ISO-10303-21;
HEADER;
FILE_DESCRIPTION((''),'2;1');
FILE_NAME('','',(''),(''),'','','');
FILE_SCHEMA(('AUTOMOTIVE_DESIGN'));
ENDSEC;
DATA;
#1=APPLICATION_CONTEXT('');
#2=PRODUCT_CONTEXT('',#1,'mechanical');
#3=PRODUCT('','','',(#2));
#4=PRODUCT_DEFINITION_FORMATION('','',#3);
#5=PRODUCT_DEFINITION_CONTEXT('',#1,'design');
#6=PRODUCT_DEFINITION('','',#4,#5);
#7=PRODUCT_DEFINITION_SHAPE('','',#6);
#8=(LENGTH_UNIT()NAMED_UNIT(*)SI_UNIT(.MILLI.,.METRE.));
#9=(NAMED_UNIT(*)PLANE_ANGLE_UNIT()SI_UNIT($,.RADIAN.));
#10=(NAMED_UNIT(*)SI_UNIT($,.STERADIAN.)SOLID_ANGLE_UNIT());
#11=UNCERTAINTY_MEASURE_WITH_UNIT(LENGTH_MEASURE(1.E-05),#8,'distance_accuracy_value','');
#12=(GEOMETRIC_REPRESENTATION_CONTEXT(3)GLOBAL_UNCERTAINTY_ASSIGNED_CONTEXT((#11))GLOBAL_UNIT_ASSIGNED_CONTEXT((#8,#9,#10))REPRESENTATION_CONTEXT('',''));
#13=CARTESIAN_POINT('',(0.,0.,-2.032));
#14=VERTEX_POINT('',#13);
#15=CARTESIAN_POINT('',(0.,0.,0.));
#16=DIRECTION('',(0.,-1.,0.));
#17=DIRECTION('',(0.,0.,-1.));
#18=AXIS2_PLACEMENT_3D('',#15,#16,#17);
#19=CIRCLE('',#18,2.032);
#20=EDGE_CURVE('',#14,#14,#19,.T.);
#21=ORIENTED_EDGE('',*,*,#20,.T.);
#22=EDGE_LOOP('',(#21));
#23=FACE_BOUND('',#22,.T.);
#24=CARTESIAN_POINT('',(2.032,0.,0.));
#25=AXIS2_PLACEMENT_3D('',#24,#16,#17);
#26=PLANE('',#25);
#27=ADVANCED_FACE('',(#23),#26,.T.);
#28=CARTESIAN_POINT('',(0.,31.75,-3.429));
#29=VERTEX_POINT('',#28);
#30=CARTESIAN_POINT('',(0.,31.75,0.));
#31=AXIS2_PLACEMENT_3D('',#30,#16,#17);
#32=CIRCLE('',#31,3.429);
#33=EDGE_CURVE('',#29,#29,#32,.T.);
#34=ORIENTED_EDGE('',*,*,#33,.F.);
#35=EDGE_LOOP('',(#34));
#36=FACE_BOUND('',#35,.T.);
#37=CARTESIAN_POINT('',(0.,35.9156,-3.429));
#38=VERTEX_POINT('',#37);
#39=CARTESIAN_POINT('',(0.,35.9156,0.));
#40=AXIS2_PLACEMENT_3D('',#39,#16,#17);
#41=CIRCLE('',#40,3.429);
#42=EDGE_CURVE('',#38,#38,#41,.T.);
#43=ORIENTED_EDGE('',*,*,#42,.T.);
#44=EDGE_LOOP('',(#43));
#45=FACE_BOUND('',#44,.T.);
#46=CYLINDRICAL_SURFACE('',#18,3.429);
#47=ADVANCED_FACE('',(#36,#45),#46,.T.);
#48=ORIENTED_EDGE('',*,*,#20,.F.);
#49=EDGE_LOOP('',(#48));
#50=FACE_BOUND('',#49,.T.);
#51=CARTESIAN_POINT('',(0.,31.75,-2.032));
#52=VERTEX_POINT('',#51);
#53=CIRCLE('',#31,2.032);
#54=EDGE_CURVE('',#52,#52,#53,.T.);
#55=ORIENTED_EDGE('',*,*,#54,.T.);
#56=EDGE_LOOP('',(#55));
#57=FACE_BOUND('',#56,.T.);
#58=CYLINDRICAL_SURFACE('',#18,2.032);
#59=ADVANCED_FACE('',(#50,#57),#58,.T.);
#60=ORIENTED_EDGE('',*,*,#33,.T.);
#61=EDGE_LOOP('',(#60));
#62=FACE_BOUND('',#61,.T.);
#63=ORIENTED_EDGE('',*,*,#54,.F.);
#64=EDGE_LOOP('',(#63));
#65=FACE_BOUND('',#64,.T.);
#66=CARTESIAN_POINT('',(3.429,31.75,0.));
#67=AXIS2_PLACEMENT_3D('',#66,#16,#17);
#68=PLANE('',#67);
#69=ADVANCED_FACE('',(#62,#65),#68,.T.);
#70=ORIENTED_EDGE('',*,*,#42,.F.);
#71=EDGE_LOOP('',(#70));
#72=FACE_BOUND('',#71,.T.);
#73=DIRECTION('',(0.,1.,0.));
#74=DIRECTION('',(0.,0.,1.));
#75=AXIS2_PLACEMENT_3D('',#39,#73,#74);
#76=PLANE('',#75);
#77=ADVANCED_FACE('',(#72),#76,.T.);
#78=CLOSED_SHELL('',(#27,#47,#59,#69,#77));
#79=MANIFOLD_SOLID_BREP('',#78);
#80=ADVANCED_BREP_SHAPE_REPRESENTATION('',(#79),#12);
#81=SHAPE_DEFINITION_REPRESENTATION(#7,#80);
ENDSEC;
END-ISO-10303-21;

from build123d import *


with BuildPart() as part:
    # Sketch1 → Revolve1 (revolve)
    with BuildSketch(Plane.XY, mode=Mode.PRIVATE) as revolve1_sk:
        Polygon((0, 0), (0, 35.9156), (3.429, 35.9156), (3.429, 31.75), (2.032, 31.75), (2.032, 0), align=None)
    revolve(revolve1_sk.sketch.rotate(Axis((0, 0, 0), (0, 1, 0)), 90), axis=Axis((0, 0, 0), (0, 1, 0)))


solid = part.part
